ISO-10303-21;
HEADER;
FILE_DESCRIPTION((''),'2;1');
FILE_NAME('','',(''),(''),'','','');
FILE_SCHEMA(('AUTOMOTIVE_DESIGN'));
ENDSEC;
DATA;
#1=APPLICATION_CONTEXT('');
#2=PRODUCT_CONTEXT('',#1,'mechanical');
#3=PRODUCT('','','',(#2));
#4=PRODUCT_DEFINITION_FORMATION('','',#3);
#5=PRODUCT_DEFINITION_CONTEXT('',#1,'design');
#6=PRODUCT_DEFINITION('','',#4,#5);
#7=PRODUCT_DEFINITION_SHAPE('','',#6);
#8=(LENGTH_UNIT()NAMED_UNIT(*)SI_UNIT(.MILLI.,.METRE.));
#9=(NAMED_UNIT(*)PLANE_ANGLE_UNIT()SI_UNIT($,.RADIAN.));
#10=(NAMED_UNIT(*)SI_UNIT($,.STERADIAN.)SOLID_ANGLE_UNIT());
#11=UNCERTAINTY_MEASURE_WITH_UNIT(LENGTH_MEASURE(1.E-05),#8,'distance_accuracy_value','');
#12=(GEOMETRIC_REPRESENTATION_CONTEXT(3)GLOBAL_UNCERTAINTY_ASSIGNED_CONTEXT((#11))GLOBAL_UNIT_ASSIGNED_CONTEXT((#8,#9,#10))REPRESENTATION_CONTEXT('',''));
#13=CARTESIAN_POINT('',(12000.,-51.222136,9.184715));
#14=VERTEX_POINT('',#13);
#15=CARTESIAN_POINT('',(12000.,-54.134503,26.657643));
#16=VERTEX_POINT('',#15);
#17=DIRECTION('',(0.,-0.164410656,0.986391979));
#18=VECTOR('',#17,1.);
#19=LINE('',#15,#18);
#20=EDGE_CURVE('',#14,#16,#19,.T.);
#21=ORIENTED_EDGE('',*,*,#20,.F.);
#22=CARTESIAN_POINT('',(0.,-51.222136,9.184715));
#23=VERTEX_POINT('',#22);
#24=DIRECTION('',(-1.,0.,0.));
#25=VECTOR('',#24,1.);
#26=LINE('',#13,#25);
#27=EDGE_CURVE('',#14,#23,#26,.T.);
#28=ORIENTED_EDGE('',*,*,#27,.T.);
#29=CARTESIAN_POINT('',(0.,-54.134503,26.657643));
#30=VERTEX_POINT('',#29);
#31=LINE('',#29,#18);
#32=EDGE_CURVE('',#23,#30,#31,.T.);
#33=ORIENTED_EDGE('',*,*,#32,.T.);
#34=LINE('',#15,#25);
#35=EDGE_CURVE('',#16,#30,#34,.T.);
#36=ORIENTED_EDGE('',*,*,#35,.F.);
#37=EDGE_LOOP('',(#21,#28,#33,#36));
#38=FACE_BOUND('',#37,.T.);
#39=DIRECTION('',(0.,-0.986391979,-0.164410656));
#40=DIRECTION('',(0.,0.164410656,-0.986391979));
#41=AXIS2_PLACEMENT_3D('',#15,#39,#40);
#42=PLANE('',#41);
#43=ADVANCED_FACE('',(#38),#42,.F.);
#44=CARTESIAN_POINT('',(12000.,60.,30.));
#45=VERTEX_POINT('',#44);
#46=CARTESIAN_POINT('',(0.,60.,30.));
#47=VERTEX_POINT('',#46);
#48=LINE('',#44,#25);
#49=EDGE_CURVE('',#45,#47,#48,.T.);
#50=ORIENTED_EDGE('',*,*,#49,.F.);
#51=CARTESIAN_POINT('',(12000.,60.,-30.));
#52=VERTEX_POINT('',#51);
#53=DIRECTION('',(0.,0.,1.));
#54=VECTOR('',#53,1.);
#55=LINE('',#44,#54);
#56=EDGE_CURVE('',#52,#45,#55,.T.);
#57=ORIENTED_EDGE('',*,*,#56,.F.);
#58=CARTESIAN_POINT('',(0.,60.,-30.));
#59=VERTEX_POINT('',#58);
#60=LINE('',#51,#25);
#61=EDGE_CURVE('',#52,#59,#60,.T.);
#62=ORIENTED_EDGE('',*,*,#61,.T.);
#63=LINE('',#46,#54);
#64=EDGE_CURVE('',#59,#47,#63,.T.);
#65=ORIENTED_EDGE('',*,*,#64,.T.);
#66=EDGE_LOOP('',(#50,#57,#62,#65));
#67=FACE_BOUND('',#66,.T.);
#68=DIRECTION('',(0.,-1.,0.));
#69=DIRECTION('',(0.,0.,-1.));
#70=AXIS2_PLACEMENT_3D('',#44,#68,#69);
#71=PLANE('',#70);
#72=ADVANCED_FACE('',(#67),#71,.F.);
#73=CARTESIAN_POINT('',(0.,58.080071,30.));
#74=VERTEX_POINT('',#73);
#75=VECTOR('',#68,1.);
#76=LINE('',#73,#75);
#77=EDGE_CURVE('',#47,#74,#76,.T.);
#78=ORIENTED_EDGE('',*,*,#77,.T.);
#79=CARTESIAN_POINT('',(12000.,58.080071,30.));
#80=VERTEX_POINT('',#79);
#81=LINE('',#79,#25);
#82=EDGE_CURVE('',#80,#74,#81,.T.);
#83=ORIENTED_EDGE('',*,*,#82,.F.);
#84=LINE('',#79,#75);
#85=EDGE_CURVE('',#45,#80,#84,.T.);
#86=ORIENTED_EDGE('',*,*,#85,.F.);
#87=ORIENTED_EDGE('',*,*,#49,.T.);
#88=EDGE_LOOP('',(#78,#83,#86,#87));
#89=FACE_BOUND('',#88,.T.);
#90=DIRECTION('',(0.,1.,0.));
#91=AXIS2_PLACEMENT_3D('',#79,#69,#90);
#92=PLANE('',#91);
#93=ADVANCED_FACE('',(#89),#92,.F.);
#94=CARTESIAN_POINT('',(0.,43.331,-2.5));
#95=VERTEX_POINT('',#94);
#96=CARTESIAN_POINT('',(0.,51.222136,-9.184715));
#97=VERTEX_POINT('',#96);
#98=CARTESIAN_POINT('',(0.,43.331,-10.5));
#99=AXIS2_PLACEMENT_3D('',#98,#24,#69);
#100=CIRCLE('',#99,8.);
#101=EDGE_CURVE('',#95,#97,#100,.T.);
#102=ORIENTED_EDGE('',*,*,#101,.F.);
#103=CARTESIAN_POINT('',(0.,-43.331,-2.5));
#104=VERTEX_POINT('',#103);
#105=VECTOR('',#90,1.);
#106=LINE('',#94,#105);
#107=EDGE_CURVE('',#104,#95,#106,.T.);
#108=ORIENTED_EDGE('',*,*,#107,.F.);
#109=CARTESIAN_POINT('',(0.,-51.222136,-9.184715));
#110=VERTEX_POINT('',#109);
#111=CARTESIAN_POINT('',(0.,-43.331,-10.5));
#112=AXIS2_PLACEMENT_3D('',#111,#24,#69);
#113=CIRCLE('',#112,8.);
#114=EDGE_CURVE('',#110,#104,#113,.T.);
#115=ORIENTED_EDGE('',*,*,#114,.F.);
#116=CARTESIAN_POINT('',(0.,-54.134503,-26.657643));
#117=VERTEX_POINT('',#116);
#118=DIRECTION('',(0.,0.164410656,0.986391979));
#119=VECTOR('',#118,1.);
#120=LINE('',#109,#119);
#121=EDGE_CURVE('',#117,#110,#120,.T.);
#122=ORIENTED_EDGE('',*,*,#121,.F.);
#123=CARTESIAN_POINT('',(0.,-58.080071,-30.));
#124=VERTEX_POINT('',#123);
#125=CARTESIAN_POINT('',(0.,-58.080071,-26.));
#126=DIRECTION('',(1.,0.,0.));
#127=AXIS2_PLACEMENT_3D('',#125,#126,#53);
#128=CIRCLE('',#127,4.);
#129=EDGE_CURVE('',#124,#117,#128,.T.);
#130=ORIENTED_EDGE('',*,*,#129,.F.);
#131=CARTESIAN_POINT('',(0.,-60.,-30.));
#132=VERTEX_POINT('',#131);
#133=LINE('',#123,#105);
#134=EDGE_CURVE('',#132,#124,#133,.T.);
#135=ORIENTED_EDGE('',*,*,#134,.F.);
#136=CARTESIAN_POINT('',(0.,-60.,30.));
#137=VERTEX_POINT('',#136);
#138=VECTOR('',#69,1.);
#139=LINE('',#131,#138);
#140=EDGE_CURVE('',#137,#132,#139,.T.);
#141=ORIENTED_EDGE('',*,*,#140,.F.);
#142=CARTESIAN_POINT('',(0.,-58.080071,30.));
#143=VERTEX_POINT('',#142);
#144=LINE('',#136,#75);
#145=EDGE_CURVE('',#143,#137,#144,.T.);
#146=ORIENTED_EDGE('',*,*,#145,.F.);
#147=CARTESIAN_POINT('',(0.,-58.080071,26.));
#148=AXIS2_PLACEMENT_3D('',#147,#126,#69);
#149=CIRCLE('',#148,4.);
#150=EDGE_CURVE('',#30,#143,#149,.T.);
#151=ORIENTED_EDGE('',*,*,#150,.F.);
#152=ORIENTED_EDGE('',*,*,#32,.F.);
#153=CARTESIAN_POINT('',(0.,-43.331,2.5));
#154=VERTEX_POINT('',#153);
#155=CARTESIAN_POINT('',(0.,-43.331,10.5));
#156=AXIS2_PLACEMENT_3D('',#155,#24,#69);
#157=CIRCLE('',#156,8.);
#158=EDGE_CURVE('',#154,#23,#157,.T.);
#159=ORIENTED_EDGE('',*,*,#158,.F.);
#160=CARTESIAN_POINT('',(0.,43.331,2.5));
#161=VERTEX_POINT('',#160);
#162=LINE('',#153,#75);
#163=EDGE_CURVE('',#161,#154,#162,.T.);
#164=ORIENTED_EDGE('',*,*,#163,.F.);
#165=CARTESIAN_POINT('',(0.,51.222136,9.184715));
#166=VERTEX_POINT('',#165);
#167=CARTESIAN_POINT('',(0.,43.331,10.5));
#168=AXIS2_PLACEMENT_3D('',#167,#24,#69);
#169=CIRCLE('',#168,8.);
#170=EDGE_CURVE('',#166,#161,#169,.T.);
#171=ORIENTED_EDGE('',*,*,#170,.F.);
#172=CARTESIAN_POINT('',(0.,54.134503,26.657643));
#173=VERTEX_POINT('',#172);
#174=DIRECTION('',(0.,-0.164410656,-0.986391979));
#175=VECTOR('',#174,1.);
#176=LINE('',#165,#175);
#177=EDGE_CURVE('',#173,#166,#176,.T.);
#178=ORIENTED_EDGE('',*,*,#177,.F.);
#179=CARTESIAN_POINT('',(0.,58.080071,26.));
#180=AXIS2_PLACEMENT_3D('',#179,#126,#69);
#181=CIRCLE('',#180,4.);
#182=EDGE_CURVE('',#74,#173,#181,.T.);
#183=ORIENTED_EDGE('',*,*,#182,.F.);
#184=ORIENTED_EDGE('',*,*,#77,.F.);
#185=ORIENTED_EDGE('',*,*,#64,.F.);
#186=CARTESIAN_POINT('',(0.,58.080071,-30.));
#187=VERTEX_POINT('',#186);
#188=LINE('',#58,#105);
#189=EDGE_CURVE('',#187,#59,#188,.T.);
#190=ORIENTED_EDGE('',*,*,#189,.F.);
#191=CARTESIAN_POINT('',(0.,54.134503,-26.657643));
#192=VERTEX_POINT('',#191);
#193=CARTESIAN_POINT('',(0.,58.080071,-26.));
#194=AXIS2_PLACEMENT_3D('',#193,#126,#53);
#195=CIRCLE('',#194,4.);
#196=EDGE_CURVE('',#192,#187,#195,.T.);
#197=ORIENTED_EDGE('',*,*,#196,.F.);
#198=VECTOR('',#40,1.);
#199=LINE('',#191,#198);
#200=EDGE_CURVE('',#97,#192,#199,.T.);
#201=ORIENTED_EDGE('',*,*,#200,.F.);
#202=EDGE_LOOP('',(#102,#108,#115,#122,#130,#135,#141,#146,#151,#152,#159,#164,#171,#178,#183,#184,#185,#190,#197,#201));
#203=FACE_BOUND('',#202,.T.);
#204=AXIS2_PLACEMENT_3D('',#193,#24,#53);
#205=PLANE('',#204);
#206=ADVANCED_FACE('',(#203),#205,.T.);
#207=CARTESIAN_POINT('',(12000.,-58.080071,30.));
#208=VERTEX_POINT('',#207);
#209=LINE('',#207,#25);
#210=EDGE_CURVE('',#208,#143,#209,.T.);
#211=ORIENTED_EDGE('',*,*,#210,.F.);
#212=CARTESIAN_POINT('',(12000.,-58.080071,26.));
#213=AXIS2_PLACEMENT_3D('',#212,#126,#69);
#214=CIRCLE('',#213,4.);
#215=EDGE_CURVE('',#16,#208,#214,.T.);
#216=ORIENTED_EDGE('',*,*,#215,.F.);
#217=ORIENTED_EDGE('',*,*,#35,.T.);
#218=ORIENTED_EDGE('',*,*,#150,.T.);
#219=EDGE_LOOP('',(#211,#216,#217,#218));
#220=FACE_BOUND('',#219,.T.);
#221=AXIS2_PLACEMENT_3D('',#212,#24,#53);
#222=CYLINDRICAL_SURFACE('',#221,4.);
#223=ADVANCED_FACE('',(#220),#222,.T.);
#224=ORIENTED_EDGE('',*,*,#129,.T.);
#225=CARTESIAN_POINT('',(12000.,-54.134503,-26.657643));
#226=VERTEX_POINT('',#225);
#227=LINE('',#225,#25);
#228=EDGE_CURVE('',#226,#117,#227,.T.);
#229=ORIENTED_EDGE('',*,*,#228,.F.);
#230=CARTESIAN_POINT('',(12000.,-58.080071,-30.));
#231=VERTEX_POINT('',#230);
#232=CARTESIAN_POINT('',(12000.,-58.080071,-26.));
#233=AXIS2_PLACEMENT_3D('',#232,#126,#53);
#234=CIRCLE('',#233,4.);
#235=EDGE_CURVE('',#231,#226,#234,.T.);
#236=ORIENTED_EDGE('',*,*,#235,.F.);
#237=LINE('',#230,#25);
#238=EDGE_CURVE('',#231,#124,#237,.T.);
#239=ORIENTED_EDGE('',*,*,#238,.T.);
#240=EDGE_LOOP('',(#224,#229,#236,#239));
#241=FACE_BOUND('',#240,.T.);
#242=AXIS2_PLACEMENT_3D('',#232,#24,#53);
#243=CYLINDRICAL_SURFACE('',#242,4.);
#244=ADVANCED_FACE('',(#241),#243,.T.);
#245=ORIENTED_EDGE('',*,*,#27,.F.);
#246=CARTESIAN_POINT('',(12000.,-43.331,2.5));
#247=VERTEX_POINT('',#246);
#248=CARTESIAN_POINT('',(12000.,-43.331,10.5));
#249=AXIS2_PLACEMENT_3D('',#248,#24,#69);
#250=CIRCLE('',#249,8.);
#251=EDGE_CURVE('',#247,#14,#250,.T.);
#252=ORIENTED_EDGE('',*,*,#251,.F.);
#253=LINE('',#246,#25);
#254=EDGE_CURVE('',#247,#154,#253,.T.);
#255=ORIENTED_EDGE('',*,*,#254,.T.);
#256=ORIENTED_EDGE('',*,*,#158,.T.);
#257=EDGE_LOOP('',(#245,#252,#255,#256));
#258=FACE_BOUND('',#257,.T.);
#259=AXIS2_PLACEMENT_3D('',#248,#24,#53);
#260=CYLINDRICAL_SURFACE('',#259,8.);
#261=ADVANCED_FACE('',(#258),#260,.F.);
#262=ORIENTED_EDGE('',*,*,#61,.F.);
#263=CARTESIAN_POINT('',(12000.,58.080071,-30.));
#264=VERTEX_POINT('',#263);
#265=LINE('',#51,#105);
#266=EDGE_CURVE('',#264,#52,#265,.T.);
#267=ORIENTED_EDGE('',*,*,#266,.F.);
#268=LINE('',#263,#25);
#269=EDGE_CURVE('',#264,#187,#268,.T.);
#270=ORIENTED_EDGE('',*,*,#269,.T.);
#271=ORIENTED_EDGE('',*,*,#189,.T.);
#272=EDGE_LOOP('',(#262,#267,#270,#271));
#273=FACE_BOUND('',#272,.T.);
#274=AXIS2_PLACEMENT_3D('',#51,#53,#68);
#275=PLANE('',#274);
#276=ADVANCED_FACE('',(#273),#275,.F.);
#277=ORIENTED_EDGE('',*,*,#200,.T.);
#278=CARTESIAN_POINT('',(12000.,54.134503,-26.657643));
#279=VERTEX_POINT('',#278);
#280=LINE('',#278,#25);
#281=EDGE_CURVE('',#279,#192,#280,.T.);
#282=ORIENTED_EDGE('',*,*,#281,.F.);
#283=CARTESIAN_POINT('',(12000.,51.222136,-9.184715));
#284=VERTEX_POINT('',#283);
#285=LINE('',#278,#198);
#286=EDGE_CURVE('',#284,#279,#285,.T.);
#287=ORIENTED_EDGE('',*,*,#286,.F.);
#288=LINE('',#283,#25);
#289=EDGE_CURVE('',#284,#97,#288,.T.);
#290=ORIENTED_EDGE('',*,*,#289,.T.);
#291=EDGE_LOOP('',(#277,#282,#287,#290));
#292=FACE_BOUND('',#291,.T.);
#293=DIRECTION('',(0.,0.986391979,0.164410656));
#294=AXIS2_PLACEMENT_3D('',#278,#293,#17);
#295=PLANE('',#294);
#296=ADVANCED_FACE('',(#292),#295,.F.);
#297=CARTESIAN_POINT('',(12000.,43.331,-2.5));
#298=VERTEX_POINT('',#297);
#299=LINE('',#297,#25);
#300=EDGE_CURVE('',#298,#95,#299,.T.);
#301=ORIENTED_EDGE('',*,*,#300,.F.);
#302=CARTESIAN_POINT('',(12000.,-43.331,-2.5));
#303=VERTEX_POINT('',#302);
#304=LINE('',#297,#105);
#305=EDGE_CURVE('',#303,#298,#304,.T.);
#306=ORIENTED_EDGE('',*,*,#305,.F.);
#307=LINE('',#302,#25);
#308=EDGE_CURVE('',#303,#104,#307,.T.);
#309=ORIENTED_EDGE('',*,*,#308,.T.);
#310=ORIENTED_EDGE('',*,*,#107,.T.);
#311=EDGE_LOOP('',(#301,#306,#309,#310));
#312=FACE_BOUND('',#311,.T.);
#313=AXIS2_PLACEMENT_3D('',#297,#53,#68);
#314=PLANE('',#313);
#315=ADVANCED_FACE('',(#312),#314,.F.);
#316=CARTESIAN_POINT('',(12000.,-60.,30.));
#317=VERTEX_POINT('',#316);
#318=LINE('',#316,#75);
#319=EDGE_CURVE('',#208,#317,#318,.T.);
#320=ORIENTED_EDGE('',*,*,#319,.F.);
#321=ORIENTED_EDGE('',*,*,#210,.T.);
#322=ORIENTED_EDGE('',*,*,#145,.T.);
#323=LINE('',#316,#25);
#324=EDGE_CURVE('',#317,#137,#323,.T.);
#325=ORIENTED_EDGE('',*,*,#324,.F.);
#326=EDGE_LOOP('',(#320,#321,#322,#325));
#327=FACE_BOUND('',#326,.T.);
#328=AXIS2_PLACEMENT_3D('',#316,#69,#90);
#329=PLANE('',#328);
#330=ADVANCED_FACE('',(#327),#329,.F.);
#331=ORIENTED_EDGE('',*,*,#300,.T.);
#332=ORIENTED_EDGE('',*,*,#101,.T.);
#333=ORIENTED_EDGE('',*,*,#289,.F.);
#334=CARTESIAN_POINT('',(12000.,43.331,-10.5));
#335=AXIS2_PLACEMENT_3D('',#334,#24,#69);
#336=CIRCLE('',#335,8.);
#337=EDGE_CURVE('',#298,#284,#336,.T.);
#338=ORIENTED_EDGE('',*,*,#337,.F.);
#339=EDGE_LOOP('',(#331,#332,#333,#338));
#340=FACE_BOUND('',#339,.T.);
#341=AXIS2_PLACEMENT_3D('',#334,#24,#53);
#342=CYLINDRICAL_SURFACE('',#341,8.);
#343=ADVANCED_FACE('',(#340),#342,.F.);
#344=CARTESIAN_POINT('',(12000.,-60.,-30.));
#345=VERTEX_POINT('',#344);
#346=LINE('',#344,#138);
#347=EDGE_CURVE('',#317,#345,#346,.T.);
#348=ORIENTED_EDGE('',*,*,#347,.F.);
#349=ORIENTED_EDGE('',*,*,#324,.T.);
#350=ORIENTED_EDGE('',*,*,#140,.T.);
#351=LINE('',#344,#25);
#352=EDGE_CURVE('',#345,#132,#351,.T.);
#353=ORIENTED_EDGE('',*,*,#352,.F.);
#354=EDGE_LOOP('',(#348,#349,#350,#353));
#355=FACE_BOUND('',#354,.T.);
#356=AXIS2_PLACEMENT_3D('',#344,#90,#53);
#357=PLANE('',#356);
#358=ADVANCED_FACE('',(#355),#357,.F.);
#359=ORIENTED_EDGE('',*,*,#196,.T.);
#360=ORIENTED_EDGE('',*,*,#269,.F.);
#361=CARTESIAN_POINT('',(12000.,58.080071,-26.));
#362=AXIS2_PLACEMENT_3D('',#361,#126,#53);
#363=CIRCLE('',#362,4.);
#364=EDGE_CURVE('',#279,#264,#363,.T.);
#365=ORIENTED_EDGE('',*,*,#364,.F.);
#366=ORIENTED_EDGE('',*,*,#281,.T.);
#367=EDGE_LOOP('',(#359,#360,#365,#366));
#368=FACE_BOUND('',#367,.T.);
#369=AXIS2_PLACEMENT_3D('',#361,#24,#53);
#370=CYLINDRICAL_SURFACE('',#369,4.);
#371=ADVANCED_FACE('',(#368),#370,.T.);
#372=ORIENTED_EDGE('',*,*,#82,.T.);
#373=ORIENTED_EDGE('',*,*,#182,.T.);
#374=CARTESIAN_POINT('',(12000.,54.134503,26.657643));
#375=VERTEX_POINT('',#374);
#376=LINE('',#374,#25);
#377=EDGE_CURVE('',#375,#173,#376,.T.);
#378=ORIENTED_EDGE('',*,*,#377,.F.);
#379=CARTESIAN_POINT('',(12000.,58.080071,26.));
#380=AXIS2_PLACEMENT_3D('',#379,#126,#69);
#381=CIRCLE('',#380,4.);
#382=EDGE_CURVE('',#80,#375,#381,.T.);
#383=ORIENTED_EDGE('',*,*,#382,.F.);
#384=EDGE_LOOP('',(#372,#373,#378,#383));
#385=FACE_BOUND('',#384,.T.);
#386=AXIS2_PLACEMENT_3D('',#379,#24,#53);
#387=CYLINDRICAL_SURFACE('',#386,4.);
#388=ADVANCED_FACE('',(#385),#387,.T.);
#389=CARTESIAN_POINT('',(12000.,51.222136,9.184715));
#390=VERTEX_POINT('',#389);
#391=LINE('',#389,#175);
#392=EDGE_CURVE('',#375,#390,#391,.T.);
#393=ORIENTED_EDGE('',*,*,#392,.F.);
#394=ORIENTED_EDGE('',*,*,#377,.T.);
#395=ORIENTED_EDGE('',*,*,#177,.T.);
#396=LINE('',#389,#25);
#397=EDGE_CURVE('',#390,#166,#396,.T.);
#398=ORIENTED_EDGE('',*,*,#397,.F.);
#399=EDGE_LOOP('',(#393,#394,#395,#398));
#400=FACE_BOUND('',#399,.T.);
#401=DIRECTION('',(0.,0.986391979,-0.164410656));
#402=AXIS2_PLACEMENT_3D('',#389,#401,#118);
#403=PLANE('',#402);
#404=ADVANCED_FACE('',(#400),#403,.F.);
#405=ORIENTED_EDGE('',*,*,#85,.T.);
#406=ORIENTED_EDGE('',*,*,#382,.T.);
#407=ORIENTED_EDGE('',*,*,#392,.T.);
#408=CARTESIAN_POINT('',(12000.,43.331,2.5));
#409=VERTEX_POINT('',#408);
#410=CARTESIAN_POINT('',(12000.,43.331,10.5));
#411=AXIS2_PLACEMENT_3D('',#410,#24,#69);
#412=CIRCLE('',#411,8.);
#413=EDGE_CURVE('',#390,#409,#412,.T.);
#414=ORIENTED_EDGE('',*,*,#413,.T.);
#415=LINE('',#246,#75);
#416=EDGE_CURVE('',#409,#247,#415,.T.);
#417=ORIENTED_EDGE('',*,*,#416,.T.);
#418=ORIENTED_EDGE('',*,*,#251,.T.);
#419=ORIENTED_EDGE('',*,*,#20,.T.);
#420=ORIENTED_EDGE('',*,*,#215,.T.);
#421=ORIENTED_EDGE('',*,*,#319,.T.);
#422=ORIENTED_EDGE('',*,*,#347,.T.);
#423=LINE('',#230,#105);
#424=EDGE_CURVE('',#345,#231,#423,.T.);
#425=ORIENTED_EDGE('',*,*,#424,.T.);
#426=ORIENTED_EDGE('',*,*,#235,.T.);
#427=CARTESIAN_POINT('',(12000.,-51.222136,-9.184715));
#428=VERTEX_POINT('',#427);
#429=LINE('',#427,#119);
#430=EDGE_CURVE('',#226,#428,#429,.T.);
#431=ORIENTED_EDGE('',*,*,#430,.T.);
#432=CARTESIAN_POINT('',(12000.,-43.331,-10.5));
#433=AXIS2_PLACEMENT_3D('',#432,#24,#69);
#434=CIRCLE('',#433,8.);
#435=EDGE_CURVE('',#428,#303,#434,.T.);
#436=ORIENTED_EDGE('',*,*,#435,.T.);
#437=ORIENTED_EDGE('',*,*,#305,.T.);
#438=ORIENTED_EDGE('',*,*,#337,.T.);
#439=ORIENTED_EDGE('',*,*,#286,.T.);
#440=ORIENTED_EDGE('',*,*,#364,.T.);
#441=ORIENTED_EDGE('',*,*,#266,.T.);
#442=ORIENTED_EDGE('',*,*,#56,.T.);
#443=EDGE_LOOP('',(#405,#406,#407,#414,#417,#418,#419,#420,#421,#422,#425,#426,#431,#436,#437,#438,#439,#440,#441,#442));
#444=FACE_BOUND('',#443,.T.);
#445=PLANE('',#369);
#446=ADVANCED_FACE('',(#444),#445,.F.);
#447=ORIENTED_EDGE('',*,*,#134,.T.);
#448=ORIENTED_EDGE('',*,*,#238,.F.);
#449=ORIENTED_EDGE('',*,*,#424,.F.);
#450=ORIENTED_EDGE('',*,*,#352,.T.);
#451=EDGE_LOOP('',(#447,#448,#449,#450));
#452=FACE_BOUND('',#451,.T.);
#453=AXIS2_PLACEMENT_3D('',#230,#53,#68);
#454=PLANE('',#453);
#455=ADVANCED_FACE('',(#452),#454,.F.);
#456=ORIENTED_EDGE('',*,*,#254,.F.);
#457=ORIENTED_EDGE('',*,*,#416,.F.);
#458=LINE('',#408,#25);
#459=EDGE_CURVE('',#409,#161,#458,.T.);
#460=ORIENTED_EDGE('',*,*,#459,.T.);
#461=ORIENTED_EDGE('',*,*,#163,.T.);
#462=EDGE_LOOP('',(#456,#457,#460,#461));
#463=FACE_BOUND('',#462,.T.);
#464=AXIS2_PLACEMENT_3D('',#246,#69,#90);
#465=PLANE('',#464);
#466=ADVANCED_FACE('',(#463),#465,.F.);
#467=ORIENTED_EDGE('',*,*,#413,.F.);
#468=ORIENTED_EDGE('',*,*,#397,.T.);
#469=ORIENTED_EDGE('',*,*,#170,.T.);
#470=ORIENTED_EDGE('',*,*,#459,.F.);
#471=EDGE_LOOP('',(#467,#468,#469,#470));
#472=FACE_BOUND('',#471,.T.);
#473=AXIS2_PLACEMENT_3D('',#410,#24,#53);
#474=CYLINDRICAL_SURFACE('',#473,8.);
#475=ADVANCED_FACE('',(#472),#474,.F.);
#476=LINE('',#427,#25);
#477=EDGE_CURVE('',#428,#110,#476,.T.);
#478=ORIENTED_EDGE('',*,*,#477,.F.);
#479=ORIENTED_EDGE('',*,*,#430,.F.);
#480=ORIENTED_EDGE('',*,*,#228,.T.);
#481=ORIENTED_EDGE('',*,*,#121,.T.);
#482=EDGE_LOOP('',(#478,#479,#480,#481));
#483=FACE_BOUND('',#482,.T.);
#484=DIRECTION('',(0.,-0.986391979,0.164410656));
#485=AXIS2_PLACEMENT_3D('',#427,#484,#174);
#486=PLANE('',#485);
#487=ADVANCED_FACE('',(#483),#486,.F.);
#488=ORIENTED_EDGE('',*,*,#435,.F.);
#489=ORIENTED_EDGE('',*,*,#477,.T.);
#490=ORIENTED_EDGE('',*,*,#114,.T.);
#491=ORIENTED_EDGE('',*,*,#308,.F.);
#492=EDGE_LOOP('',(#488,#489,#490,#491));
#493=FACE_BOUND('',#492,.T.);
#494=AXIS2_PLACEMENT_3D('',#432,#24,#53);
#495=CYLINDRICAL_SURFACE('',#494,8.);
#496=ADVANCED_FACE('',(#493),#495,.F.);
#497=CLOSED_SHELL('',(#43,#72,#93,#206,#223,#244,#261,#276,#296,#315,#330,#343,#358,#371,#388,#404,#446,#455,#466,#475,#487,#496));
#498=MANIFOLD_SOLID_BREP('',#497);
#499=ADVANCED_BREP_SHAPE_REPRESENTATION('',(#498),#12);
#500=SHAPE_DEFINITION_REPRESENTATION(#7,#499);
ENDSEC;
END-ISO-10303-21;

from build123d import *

# Parameters (mm, degrees)
SB_BEAM_120_X_12_2_DEPTH = 12000


with BuildPart() as part:
    # Sketch12 → Sb beam 120 X 12(2) (new body)
    with BuildSketch(Plane(origin=(0, 0, 0), x_dir=(0, 0, 1), z_dir=(1, 0, 0))):
        with BuildLine():
            Line((-30, -60), (-30, -58.080070835))
            ThreePointArc((-30, -58.080070835), (-29.052095223, -55.494589303), (-26.657642624, -54.134502919))
            Line((-26.657642624, -54.134502919), (-9.184714752, -51.222135832))
            ThreePointArc((-9.184714752, -51.222135832), (-4.395809555, -48.501963064), (-2.5, -43.331))
            Line((-2.5, -43.331), (-2.5, 43.331))
            ThreePointArc((-2.5, 43.331), (-4.395809555, 48.501963064), (-9.184714752, 51.222135832))
            Line((-9.184714752, 51.222135832), (-26.657642624, 54.134502919))
            ThreePointArc((-26.657642624, 54.134502919), (-29.052095223, 55.494589303), (-30, 58.080070835))
            Line((-30, 58.080070835), (-30, 60))
            Line((-30, 60), (30, 60))
            Line((30, 60), (30, 58.080070835))
            ThreePointArc((30, 58.080070835), (29.052095223, 55.494589303), (26.657642624, 54.134502919))
            Line((26.657642624, 54.134502919), (9.184714752, 51.222135832))
            ThreePointArc((9.184714752, 51.222135832), (4.395809555, 48.501963064), (2.5, 43.331))
            Line((2.5, 43.331), (2.5, -43.331))
            ThreePointArc((2.5, -43.331), (4.395809555, -48.501963064), (9.184714752, -51.222135832))
            Line((9.184714752, -51.222135832), (26.657642624, -54.134502919))
            ThreePointArc((26.657642624, -54.134502919), (29.052095223, -55.494589303), (30, -58.080070835))
            Line((30, -58.080070835), (30, -60))
            Line((30, -60), (-30, -60))
        make_face()
    extrude(amount=SB_BEAM_120_X_12_2_DEPTH)


solid = part.part
